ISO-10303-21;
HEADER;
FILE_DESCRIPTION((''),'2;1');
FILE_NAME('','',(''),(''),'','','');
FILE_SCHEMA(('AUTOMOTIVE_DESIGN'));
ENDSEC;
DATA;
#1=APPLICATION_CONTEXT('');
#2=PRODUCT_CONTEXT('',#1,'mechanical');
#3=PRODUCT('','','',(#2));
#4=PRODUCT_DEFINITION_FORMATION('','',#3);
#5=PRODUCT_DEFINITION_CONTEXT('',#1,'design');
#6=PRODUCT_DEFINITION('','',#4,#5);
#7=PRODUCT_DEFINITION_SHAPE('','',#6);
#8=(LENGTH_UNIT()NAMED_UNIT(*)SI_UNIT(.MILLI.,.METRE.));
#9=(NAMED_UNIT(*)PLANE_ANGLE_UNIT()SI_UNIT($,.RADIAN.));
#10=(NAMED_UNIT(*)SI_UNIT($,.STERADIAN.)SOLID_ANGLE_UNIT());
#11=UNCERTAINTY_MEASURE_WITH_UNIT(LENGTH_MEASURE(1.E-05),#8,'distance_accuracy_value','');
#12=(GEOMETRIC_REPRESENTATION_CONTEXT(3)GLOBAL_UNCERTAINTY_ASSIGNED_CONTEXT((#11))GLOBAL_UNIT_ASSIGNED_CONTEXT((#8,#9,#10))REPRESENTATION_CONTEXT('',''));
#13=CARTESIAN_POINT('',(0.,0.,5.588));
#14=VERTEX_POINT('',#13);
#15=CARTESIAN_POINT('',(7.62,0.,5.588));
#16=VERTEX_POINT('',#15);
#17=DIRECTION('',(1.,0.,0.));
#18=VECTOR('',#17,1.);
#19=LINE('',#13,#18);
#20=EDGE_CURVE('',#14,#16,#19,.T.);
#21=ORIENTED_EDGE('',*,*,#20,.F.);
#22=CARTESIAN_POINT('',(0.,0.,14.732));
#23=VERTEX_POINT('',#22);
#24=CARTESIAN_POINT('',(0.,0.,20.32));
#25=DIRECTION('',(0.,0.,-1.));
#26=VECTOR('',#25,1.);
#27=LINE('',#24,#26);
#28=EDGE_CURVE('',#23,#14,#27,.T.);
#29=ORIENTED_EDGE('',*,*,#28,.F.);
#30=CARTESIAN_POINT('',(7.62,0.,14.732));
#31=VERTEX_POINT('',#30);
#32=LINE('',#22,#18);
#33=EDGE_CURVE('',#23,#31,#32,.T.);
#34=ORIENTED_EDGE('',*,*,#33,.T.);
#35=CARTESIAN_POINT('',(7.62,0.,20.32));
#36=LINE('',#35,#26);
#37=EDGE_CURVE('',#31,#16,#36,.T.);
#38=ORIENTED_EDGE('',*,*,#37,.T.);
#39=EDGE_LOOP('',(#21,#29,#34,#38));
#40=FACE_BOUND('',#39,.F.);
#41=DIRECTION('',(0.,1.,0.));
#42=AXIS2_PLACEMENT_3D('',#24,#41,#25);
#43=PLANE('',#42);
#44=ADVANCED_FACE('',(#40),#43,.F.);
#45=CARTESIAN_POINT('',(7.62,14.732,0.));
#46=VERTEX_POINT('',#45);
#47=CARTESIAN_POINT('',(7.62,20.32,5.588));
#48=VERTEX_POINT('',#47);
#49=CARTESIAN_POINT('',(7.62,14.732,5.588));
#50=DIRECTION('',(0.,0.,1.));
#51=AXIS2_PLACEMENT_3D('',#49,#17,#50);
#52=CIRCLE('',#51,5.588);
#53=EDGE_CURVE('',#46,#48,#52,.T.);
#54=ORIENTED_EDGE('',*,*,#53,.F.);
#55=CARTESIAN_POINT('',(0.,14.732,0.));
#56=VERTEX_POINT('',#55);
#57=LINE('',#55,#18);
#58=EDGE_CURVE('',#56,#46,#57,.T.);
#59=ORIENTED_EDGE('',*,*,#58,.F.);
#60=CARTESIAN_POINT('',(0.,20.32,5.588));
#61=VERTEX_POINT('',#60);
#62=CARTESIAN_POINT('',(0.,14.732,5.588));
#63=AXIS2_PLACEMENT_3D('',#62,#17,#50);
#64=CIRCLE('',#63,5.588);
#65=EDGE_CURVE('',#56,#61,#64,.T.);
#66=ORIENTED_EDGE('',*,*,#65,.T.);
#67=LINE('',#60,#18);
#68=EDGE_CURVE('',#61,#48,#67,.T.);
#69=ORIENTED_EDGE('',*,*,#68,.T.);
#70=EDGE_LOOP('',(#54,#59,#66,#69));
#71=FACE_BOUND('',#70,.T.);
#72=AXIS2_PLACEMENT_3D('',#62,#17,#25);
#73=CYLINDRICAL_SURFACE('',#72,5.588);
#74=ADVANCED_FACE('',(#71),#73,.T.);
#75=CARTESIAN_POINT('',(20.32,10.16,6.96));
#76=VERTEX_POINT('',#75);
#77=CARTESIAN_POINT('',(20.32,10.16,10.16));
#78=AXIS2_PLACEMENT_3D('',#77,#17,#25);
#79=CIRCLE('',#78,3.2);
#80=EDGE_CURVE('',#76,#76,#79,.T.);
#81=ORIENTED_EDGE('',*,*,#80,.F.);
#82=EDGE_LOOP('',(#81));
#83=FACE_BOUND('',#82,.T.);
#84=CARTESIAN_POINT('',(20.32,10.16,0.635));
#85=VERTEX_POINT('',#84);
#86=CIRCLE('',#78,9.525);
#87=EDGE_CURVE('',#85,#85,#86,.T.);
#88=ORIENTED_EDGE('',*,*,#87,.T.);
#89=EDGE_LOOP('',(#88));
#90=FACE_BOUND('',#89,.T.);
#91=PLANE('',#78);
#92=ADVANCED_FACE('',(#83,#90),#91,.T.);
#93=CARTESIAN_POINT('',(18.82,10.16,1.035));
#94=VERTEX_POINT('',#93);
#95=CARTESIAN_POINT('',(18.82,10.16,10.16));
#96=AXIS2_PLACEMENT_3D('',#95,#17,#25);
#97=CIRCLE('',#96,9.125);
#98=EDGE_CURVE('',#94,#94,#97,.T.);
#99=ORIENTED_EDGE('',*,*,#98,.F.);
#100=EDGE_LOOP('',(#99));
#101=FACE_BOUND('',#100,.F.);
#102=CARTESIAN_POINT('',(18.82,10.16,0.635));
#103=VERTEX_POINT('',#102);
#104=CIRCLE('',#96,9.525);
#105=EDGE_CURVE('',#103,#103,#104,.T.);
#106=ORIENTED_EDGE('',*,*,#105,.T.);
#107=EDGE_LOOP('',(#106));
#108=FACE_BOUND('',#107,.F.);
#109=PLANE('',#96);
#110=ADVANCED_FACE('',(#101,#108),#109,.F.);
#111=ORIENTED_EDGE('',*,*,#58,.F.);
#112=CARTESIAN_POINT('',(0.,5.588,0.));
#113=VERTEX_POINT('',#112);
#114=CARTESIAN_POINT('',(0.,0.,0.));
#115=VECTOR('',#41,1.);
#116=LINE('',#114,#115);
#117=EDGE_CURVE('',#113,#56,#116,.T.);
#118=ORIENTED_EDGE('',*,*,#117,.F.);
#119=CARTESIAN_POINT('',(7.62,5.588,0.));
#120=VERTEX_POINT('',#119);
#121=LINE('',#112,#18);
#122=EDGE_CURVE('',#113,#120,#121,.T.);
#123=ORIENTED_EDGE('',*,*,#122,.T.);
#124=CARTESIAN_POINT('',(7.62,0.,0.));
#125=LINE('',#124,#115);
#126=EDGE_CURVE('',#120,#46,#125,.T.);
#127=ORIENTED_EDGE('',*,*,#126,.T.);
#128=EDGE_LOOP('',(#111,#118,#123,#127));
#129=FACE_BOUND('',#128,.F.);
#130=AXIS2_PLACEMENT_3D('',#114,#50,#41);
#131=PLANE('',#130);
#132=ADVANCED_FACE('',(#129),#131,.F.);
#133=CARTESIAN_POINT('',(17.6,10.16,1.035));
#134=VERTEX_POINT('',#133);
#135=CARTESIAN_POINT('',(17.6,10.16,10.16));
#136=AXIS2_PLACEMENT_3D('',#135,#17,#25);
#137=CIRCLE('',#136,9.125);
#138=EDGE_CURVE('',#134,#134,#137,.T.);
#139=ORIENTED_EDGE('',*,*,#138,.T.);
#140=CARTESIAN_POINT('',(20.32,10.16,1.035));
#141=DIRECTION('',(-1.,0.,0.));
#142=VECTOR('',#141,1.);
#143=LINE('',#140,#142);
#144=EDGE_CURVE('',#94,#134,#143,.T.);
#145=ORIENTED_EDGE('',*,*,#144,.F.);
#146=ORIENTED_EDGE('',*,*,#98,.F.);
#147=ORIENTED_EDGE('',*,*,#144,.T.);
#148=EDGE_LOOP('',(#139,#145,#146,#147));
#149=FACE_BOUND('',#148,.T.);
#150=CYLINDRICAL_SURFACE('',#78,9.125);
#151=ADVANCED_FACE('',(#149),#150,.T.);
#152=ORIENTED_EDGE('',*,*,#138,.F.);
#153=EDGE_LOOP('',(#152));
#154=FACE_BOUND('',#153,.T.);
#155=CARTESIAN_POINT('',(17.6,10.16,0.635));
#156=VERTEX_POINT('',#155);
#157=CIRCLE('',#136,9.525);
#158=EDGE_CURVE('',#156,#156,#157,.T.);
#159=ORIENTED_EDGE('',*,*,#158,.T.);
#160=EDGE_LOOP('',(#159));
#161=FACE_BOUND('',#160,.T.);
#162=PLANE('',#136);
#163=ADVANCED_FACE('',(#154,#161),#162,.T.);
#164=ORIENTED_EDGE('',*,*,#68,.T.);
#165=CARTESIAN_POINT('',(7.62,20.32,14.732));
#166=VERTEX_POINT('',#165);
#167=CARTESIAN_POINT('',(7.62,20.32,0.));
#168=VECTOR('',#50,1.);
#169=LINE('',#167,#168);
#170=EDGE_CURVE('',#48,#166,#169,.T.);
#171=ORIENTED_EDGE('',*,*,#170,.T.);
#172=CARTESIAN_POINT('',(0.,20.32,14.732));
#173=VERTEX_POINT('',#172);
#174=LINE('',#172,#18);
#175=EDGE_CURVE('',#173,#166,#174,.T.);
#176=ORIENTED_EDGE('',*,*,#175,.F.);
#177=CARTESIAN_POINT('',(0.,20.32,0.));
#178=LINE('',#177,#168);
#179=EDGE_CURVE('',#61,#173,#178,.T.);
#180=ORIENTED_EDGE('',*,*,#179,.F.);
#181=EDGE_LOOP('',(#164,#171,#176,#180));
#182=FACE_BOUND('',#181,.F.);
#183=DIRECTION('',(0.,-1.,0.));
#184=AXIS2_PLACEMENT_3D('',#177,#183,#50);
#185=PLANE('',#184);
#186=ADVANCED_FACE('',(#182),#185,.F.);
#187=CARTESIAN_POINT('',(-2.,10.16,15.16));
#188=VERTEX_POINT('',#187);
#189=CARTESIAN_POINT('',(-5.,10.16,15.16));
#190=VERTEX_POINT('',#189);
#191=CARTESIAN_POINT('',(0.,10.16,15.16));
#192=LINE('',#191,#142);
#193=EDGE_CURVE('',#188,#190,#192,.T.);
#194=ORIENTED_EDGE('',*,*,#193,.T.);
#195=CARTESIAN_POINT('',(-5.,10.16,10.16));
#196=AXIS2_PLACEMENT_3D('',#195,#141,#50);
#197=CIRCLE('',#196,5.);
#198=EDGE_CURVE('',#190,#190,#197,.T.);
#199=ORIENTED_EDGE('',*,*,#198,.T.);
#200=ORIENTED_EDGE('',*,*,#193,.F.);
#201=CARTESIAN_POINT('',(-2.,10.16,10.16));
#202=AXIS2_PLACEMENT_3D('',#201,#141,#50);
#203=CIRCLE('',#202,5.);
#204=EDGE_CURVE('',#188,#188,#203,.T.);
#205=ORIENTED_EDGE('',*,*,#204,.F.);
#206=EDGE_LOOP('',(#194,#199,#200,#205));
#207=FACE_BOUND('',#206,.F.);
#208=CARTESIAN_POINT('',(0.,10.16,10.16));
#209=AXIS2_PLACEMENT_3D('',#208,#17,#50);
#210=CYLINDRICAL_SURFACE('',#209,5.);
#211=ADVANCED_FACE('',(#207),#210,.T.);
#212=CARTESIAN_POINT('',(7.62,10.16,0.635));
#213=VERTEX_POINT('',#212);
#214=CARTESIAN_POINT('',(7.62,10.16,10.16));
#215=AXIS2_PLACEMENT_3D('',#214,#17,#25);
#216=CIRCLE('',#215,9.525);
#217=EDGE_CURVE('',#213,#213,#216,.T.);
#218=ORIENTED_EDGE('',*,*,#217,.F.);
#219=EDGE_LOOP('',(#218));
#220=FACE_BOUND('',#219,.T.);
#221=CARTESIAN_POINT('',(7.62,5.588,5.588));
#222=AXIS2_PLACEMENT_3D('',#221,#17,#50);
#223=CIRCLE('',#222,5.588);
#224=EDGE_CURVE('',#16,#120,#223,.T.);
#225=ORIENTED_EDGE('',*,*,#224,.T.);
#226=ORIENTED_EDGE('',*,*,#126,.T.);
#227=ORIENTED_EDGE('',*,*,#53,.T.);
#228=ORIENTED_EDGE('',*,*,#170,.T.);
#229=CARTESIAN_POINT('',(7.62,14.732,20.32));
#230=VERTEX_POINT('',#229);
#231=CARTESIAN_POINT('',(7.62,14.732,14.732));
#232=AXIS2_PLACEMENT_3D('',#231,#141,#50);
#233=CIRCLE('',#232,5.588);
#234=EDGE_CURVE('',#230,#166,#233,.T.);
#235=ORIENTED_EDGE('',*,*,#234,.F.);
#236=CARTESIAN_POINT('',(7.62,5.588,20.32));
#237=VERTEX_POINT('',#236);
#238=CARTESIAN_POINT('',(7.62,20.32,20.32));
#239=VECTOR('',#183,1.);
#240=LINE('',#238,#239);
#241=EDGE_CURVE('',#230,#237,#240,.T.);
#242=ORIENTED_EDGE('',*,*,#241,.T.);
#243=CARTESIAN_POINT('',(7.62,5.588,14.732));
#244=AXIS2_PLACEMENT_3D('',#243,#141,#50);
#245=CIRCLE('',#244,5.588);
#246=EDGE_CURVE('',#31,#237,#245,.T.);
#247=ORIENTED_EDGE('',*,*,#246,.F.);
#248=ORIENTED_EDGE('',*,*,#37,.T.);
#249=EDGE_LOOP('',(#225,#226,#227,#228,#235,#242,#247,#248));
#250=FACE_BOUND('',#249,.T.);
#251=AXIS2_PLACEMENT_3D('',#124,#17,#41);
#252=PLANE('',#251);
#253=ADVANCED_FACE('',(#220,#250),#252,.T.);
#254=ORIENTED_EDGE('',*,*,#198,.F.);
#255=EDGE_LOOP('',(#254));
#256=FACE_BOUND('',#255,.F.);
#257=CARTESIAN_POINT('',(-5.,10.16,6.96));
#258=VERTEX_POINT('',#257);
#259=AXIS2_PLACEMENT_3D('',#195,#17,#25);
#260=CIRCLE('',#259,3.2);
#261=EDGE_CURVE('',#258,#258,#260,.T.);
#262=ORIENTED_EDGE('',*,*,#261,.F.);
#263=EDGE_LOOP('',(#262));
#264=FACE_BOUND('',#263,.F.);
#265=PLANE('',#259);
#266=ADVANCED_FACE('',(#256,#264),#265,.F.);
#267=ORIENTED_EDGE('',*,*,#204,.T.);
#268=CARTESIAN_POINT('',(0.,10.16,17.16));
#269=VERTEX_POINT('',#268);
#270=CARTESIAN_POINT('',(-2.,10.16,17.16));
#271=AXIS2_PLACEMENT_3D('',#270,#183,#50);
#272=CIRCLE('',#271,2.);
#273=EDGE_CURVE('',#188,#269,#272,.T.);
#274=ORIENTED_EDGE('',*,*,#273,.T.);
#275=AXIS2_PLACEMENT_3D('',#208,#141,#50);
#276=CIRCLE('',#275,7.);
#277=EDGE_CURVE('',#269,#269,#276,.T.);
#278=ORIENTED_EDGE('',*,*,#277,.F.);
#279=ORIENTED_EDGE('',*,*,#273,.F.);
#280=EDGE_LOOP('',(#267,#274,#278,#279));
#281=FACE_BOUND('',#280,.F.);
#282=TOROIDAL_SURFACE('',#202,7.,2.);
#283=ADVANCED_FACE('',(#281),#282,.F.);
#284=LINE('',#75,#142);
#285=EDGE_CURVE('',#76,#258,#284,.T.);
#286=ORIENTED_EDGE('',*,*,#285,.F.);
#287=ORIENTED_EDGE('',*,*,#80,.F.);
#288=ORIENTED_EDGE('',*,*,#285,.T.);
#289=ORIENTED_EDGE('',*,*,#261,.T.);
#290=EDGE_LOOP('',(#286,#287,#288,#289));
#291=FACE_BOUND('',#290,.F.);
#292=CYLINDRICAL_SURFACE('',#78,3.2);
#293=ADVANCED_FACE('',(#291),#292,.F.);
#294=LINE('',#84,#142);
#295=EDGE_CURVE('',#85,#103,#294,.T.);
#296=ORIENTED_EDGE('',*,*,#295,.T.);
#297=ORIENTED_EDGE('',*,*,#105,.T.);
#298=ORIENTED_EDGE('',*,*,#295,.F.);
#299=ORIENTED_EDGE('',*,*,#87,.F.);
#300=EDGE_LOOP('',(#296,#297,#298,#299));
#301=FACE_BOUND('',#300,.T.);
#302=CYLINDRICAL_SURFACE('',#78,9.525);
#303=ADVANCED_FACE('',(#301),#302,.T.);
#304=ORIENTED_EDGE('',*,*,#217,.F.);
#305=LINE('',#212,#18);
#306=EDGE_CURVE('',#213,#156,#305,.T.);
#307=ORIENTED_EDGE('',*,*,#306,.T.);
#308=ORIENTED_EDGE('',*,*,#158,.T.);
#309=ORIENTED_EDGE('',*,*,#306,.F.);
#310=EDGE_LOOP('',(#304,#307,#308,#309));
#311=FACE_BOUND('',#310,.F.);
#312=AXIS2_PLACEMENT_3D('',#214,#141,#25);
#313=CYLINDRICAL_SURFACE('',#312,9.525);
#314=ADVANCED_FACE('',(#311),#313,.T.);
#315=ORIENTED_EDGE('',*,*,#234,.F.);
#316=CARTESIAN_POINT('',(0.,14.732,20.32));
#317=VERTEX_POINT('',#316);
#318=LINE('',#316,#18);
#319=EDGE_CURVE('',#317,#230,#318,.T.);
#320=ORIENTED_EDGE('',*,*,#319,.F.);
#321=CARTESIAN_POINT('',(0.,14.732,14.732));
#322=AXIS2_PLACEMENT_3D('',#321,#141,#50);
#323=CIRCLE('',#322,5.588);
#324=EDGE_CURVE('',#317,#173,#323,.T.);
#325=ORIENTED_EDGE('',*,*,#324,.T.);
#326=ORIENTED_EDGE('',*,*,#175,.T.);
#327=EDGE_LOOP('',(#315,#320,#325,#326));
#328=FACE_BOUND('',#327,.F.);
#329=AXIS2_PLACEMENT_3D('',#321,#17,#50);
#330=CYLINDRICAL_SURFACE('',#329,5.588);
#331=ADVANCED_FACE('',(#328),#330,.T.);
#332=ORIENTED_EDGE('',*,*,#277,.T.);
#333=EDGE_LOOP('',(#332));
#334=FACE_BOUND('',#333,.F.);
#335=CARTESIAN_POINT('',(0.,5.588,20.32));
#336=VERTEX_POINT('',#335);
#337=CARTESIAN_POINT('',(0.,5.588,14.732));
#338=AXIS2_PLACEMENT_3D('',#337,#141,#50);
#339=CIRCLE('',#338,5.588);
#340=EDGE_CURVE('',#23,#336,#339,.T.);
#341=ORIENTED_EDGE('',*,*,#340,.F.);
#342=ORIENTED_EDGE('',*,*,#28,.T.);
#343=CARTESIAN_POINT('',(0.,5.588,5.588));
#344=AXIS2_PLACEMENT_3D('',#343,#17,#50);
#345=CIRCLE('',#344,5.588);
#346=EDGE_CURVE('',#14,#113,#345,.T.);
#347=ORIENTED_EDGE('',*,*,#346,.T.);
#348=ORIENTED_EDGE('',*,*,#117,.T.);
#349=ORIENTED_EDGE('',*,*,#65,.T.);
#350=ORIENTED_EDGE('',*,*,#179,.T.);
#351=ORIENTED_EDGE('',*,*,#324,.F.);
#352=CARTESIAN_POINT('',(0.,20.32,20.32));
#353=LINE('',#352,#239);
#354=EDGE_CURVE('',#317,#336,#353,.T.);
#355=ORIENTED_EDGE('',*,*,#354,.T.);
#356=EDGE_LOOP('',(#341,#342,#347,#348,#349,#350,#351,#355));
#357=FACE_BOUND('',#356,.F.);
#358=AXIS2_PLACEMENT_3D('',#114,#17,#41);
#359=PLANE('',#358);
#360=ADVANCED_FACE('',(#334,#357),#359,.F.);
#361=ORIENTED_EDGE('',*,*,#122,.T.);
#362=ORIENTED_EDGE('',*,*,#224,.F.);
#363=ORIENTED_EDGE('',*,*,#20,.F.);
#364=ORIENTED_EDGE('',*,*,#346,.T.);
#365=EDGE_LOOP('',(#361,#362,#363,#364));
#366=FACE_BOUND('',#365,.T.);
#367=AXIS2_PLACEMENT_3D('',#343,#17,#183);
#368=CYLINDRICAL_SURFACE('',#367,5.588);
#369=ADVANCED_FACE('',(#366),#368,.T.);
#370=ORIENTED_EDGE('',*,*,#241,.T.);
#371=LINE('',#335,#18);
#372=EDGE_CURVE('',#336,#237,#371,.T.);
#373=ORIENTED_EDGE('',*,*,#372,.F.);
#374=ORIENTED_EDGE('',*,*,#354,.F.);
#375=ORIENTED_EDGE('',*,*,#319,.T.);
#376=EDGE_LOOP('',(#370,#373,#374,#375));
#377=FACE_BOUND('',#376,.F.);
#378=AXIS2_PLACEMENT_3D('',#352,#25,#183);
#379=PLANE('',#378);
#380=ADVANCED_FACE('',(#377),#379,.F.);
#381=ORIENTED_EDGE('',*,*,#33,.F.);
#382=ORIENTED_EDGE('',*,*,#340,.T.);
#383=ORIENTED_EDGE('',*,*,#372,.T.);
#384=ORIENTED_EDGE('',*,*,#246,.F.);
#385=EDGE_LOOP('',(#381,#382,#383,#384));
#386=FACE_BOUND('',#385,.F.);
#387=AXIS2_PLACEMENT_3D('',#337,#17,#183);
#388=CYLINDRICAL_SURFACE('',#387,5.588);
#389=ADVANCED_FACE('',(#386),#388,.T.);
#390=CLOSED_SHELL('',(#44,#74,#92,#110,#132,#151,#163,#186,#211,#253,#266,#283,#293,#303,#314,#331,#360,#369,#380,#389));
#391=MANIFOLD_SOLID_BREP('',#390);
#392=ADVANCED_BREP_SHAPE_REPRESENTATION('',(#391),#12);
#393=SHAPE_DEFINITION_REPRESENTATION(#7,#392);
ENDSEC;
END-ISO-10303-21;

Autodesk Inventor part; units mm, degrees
ref_plane "YZ Plane" through (0, 0, 0) normal (1, 0, 0) x (0, 1, 0)
ref_plane "XZ Plane" through (0, 0, 0) normal (0, 1, 0) x (-1, 0, 0)
ref_plane "XY Plane" through (0, 0, 0) normal (0, 0, 1) x (1, 0, 0)
sketch "Sketch1" plane through (0, 0, 0) normal (1, 0, 0) x (0, 1, 0)
  line L0 (0, 0) -> (20.32, 0)
  line L1 (20.32, 0) -> (20.32, 20.32)
  line L2 (20.32, 20.32) -> (0, 20.32)
  line L3 (0, 20.32) -> (0, 0)
  dimension "d0" = 20.32
  dimension "d1" = 20.32
extrude "Extrusion1" add sketch "Sketch1" along normal blind 7.62
sketch "Sketch2" plane through (7.62, 0, 0) normal (1, 0, 0) x (0, 0, -1)
  circle A0 centre (-10.16, 10.16) radius 9.525
  point P0 (0, 0)
  dimension "d4" = 19.05
extrude "Extrusion2" add sketch "Sketch2" along normal blind 12.7
fillet "Fillet1" radius 5.588 4 edges at (3.81, 20.32, 0) (3.81, 0, 0) (3.81, 0, 20.32) (3.81, 20.32, 20.32)
sketch "Sketch3" plane through (20.32, 10.16, 10.16) normal (1, 0, 0) x (0, 0, -1)
  circle A0 centre (0, 0) radius 9.525
  circle A1 centre (0, 0) radius 9.125
  point P0 (10.16, -10.16)
  dimension "d8" = 18.25
extrude "Extrusion3" cut sketch "Sketch3" against normal blind 2.72
sketch "Sketch4" plane through (20.32, 10.16, 10.16) normal (1, 0, 0) x (0, 0, -1)
  circle A0 centre (0, 0) radius 9.525
  point P0 (10.16, -10.16)
extrude "Extrusion4" add sketch "Sketch4" against normal blind 1.5
sketch "Sketch5" plane through (0, 0, 0) normal (-1, 0, 0) x (0, 0, 1)
  circle A0 centre (10.16, 10.16) radius 9.125 projected
  circle A1 centre (10.16, 10.16) radius 4
  point P0 (0, 0)
  dimension "d13" = 8
extrude "Extrusion5" cut sketch "Sketch5" against normal blind 25 contours A1
sketch "Sketch6" plane through (0, 0, 0) normal (-1, 0, 0) x (0, 0, 1)
  circle A0 centre (10.16, 10.16) radius 4 projected
  circle A1 centre (10.16, 10.16) radius 4
  circle A2 centre (10.16, 10.16) radius 5
  point P0 (0, 0)
  dimension "d16" = 10
extrude "Extrusion6" add sketch "Sketch6" along normal blind 5
fillet "Fillet2" radius 2 1 edges at (0, 10.16, 5.16)
sketch "Sketch7" plane through (20.32, 10.16, 10.16) normal (1, 0, 0) x (0, 0, -1)
  circle A0 centre (0, 0) radius 4 projected
  circle A1 centre (0, 0) radius 4
  circle A2 centre (0, 0) radius 3.2
  point P0 (10.16, -10.16)
  dimension "d20" = 6.4
extrude "Extrusion7" add sketch "Sketch7" against normal blind 25.32
properties part number "_3DPrint"
